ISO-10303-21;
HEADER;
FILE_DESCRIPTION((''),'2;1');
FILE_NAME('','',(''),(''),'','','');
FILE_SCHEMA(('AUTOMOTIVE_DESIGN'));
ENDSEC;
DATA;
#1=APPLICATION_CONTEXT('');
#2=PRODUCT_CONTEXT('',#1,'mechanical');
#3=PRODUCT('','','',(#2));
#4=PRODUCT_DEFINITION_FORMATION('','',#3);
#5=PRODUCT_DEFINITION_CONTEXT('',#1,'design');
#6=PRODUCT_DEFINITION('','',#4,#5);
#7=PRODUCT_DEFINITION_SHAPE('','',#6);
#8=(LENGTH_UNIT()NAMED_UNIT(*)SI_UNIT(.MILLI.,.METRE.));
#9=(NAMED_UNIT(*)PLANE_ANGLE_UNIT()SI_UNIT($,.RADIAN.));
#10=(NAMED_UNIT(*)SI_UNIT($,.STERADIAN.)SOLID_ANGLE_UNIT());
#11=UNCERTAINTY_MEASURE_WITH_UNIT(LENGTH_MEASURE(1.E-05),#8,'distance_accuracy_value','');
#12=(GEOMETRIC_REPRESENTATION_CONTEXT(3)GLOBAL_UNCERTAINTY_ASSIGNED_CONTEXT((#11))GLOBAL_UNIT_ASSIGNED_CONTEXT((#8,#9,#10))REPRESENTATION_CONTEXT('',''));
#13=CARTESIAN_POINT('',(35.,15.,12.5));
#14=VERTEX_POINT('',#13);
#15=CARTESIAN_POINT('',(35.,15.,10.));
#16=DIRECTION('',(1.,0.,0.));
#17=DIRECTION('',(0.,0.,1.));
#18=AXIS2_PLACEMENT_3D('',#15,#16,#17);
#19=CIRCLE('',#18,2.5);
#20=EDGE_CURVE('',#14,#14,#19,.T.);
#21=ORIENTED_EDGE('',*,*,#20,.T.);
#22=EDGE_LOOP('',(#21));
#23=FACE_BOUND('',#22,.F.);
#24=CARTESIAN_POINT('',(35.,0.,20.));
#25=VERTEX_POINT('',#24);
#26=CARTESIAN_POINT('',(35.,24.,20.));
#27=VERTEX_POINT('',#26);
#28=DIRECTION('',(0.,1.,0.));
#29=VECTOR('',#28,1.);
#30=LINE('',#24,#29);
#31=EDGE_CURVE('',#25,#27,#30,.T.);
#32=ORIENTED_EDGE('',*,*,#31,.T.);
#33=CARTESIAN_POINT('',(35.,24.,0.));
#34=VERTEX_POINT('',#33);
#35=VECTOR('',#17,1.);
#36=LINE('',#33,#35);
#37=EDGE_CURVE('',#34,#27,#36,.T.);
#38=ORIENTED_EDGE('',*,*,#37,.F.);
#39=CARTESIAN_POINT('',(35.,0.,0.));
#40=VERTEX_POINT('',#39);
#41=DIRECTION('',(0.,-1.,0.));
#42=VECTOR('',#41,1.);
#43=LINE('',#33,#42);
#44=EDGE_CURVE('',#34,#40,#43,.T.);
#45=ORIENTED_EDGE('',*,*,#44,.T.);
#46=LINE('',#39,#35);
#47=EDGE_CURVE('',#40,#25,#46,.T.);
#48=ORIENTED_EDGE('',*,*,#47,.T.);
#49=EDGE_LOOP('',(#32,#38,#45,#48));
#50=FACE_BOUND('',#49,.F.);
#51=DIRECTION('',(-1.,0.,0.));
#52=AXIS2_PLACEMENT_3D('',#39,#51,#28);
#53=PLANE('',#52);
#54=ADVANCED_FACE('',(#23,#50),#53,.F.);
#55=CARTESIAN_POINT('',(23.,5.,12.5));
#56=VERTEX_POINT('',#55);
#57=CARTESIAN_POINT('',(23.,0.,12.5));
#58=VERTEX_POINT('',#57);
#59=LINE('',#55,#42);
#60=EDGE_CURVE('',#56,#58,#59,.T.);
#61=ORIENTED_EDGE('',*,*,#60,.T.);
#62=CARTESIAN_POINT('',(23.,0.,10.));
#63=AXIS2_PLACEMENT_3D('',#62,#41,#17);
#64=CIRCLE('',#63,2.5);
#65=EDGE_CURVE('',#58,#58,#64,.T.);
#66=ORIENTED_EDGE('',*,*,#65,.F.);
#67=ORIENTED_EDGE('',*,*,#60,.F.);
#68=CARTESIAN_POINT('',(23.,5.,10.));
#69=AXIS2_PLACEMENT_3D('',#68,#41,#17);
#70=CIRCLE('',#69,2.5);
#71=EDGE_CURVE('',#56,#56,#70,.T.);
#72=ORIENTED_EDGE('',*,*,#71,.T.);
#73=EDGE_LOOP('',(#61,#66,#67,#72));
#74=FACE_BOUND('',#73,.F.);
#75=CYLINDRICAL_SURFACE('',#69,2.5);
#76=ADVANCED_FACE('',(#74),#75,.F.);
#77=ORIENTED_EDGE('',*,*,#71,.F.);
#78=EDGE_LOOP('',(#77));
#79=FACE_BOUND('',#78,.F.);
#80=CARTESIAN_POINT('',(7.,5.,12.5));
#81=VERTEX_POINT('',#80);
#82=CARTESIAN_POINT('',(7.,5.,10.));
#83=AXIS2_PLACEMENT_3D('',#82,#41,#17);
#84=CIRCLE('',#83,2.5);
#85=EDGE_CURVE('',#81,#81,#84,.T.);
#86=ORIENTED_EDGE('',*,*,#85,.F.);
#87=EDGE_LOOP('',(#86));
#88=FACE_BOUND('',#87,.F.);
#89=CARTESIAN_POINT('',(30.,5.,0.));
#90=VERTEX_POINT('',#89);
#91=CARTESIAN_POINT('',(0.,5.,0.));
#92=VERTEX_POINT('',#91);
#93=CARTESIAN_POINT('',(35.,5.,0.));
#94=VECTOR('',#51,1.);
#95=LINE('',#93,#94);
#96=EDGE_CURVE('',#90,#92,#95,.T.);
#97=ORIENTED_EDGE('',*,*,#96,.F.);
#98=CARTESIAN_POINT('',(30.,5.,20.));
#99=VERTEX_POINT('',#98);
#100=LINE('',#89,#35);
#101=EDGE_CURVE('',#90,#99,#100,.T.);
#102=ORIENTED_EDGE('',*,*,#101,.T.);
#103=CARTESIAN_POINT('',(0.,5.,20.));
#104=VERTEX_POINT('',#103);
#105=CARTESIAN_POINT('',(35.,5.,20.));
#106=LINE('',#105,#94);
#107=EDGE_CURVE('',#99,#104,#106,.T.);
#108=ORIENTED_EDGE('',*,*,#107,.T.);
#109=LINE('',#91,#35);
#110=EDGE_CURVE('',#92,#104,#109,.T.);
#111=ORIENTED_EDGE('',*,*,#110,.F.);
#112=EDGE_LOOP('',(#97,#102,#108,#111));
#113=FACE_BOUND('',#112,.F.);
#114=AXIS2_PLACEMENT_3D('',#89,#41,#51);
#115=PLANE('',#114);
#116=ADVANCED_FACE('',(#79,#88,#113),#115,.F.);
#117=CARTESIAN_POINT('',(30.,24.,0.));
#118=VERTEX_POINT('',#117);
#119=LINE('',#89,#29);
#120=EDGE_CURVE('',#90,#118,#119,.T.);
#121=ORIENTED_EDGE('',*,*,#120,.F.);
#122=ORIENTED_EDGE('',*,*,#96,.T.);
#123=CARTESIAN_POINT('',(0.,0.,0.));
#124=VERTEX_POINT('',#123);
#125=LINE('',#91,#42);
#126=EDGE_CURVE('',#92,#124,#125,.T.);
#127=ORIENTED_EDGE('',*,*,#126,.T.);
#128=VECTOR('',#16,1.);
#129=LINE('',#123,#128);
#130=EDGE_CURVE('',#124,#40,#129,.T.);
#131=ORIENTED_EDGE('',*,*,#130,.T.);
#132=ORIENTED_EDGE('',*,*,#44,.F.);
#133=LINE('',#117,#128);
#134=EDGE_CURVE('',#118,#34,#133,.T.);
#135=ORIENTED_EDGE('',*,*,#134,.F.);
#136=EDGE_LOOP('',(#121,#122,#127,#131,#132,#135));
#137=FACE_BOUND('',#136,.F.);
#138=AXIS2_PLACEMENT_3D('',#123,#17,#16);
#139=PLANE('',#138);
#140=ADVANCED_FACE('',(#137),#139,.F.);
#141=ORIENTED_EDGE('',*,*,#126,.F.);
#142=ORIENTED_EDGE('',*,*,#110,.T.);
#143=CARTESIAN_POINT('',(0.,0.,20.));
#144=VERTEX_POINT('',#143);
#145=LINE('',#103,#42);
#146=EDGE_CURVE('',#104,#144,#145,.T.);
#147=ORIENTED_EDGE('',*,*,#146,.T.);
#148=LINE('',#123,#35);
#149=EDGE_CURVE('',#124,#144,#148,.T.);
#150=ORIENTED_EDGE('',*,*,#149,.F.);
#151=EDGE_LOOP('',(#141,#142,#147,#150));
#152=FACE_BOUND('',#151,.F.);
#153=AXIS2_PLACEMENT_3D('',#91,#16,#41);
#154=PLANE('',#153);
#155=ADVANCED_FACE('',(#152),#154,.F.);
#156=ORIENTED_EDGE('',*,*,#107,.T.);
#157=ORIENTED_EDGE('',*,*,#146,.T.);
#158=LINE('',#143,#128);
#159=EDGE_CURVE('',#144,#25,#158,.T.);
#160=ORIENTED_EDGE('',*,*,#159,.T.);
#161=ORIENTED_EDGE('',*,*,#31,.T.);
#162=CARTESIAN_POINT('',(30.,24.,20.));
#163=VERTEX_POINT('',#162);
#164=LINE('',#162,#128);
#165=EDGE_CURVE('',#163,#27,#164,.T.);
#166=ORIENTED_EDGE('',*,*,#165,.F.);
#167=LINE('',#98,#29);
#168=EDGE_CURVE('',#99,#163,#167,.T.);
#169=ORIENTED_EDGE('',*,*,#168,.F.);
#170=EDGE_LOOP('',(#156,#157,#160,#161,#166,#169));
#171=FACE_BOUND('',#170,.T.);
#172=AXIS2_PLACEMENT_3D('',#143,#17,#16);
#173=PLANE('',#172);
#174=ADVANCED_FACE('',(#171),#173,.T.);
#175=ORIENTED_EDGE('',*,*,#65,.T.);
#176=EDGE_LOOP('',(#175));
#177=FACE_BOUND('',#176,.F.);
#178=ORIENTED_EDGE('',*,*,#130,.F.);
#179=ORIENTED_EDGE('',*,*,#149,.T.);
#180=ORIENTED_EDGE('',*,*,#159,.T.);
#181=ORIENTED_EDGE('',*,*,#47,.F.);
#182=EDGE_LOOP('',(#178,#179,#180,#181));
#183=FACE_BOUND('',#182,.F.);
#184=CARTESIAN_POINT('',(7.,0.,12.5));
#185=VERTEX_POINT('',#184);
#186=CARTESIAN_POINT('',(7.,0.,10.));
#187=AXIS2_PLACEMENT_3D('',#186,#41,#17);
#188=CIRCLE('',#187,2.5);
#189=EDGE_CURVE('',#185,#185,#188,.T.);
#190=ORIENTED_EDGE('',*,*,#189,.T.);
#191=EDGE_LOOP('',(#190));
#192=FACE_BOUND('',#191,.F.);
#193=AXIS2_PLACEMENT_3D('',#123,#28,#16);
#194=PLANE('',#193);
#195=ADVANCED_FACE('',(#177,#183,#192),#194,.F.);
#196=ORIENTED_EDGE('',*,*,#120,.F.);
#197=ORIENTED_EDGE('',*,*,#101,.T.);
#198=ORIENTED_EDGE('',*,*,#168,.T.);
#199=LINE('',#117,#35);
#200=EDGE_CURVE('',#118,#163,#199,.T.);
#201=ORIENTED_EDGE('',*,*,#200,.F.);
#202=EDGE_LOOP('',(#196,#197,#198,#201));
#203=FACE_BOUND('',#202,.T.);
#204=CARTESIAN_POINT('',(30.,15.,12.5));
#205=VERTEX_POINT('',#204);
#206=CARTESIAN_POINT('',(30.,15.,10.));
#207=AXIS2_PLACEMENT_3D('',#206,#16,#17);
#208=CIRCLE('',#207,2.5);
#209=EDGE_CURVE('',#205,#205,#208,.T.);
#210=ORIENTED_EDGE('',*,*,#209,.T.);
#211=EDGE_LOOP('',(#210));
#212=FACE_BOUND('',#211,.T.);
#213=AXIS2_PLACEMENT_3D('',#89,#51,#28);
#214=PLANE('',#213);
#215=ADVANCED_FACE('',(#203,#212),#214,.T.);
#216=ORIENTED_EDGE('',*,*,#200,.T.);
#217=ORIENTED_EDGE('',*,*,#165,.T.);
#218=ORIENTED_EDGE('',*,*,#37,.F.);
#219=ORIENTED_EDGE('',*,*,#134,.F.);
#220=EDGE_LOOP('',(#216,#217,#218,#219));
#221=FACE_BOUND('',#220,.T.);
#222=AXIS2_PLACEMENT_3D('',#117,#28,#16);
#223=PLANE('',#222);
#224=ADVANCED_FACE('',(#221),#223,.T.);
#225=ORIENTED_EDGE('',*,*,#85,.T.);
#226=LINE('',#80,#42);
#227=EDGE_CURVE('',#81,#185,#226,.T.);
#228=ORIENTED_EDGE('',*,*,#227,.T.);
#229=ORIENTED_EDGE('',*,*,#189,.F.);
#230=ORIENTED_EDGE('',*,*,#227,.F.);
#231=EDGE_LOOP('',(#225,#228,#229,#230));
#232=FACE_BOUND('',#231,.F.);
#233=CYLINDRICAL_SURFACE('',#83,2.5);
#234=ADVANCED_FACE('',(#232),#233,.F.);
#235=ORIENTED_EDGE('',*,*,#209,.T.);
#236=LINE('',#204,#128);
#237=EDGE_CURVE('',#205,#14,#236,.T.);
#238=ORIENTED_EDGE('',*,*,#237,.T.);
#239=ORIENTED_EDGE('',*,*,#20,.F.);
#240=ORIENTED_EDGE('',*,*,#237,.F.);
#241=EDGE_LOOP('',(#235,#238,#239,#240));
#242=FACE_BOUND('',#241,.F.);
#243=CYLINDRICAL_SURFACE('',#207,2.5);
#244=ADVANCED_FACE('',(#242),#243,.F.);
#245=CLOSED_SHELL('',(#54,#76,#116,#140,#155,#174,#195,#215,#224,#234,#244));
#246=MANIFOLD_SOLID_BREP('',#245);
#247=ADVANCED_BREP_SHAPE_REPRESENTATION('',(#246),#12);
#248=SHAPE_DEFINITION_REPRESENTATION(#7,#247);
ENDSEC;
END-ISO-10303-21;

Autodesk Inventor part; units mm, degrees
ref_plane "YZ Plane" through (0, 0, 0) normal (1, 0, 0) x (0, 1, 0)
ref_plane "XZ Plane" through (0, 0, 0) normal (0, 1, 0) x (-1, 0, 0)
ref_plane "XY Plane" through (0, 0, 0) normal (0, 0, 1) x (1, 0, 0)
sketch "Sketch1" plane through (0, 0, 0) normal (0, 0, 1) x (1, 0, 0)
  line L0 (0, 0) -> (35, 0)
  line L1 (35, 0) -> (35, 5)
  line L2 (35, 5) -> (0, 5)
  line L3 (0, 5) -> (0, 0)
  line L4 (35, 5) -> (30, 5)
  line L5 (30, 5) -> (30, 24)
  line L6 (30, 24) -> (35, 24)
  line L7 (35, 24) -> (35, 5)
  dimension "d0" = 5
  dimension "d1" = 5
  dimension "d2" = 35
  dimension "d3" = 19
extrude "Extrusion1" add sketch "Sketch1" along normal blind 20
sketch "Sketch2" plane through (0, 5, 0) normal (0, 1, 0) x (1, 0, 0)
  line L0 (0, 0) -> (35, 0) projected
  line L1 (0, 0) -> (0, -20) projected
  line L2 (30, 0) -> (30, -20) projected
  point P0 (7, -10)
  point P1 (23, -10)
  dimension "d6" = 10
  dimension "d7" = 7
  dimension "d8" = 7
hole "Hole1" at (7, 5, 10) at (23, 5, 10) direction (0, -1, 0) diameter 5 depth 8 tip angle 118
sketch "Sketch3" plane through (30, 5, 0) normal (-1, 0, 0) x (0, 0, 1)
  line L0 (0, 19) -> (20, 19) projected
  line L1 (0, -5) -> (0, 19) projected
  line L2 (7.5, 0) -> (12.5, 0) projected
  line L3 (20, 19) -> (20, 0) projected
  point P0 (10, 10)
  dimension "d18" = 10
  dimension "d19" = 10
hole "Hole2" at (30, 15, 10) direction (1, 0, 0) diameter 5 depth 8 tip angle 118
properties part number "corner bracket"
